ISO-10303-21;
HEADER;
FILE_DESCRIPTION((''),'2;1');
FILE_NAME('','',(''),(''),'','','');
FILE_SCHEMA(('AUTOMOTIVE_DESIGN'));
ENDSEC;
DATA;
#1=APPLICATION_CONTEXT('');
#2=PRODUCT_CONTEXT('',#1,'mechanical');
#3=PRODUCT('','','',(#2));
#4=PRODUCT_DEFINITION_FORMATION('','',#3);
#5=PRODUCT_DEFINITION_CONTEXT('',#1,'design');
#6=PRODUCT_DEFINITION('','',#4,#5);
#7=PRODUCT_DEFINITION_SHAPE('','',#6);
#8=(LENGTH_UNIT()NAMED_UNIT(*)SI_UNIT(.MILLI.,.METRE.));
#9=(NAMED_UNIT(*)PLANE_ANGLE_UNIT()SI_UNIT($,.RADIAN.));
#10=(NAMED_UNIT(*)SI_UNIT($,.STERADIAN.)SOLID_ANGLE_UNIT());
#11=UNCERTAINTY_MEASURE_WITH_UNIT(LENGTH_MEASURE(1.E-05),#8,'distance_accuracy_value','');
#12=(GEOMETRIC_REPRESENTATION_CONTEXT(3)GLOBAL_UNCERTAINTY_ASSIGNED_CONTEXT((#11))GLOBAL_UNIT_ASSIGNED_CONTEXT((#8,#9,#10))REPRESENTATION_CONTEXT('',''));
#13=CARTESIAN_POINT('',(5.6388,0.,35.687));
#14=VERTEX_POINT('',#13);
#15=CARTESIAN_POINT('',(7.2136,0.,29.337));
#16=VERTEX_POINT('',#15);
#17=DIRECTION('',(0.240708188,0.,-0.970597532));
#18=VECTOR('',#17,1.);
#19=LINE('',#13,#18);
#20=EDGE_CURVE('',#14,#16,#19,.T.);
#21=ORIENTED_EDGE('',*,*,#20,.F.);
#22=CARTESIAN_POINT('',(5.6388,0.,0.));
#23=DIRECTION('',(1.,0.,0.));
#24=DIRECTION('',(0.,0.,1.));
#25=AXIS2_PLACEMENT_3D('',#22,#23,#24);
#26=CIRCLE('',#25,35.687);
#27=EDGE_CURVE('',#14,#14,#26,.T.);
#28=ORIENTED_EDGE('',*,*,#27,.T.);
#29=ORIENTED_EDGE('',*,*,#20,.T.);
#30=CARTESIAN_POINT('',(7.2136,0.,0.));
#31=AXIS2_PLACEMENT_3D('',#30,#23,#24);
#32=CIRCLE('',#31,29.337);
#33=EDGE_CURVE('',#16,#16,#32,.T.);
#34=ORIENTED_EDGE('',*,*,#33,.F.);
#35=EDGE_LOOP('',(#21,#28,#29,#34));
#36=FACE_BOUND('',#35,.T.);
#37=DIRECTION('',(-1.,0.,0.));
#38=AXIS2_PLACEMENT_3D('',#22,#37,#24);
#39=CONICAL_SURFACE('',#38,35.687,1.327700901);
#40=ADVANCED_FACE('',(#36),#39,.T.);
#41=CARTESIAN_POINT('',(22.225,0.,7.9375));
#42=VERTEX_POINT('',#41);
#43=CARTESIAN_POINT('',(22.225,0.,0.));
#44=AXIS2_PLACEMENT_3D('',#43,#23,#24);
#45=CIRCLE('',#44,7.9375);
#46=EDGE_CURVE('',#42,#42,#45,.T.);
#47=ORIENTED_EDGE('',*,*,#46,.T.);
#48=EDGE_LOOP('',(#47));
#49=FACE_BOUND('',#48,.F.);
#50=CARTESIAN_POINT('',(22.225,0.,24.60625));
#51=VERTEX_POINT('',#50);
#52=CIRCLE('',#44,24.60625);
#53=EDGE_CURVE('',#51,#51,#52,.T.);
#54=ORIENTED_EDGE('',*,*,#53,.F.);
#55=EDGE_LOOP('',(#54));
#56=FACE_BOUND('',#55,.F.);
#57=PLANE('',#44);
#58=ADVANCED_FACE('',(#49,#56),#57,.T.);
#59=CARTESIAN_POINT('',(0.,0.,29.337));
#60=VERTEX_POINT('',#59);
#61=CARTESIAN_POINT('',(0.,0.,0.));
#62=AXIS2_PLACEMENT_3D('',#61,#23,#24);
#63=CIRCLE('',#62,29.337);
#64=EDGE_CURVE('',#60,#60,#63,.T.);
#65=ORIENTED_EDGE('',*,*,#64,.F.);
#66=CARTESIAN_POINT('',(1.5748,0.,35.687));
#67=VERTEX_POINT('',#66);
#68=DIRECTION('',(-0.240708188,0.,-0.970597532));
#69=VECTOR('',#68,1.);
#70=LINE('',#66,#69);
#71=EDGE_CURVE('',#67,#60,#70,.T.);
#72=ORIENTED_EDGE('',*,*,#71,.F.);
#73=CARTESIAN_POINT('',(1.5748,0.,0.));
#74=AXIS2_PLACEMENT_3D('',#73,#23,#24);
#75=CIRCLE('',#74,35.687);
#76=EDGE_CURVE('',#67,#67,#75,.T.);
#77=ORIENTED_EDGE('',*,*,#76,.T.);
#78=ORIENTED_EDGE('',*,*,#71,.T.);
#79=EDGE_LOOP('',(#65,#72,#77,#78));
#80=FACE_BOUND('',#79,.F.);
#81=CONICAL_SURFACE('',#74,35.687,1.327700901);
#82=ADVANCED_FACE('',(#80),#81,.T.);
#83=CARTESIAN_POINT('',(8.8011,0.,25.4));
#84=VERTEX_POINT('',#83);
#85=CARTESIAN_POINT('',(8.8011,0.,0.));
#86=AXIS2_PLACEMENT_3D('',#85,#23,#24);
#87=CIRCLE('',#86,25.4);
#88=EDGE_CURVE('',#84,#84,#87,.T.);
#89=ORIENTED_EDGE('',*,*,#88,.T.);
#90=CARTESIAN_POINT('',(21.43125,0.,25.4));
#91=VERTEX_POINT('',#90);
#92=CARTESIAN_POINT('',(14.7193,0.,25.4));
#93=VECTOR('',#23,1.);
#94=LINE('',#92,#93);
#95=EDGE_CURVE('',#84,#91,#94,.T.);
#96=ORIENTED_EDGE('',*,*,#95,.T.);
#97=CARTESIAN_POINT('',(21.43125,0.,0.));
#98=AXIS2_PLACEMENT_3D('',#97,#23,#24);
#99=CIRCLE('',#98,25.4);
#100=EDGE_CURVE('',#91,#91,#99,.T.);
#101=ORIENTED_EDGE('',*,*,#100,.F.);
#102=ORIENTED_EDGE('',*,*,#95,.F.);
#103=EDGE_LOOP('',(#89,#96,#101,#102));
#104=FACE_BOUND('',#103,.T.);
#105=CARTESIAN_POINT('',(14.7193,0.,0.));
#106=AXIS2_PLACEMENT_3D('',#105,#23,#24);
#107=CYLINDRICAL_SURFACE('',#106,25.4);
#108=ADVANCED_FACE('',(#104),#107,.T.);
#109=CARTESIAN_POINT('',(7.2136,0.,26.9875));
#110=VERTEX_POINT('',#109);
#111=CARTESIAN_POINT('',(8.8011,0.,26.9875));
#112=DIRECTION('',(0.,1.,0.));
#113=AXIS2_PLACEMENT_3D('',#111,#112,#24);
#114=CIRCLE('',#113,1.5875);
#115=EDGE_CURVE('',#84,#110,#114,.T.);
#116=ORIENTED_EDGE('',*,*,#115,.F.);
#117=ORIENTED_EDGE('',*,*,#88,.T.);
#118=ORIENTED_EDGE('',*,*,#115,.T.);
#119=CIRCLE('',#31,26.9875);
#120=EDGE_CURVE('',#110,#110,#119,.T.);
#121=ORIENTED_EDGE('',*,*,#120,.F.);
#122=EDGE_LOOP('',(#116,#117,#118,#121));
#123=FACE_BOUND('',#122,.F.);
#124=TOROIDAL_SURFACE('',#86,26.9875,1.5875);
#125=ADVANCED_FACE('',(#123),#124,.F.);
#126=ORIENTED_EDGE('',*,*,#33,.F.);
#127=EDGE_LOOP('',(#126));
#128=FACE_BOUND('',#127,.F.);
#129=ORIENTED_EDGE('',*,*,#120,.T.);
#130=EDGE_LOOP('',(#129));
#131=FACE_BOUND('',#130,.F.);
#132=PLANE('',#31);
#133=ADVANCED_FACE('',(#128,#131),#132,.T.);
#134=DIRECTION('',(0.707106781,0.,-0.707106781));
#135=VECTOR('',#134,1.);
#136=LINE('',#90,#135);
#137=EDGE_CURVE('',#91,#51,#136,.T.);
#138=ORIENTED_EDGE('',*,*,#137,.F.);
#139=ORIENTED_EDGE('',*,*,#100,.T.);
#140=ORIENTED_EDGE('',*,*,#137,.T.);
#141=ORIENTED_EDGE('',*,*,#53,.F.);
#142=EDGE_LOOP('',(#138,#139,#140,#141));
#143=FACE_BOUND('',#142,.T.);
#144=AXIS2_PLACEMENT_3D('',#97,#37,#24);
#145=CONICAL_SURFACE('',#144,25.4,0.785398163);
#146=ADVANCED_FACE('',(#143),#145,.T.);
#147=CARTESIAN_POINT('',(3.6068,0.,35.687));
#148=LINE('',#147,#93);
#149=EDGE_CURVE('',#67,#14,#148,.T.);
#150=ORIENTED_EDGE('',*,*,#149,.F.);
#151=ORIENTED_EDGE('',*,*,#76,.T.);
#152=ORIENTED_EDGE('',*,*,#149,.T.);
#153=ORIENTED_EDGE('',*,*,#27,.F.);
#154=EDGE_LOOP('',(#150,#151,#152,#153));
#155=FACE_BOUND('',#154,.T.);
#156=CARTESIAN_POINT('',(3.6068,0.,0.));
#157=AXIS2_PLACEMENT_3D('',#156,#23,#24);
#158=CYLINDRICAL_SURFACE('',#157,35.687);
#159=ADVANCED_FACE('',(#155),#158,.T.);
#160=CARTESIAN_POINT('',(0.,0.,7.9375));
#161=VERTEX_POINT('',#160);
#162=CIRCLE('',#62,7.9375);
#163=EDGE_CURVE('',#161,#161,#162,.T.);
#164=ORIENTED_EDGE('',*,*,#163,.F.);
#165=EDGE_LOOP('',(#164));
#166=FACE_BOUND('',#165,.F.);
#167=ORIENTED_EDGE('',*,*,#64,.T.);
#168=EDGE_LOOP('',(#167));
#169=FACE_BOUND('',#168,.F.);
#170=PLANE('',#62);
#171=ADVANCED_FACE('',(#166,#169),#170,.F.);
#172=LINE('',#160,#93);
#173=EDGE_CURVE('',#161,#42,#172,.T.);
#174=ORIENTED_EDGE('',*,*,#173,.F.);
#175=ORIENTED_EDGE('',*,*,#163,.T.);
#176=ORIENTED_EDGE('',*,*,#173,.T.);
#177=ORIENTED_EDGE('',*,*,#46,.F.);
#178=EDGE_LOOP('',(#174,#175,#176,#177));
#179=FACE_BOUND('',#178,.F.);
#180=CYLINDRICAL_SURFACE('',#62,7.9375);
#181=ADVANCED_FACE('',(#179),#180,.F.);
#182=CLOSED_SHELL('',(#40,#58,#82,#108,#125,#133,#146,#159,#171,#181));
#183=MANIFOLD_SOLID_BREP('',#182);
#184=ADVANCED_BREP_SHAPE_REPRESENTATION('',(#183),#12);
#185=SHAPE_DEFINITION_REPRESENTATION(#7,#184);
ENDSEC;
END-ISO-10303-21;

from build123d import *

# Parameters (mm, degrees)
F0_W     = 7.2136
F0_H     = 10.287
F0_H_2   = 17.4625
F0_W_2   = 15.0114
F2_R     = 1.5875
F3_SIZE  = 0.79375
F4_SIZE2 = 6.35
F4_SIZE  = 1.5748


with BuildPart() as f1:
    # F0 (on Front) → F1 (revolve)
    with BuildSketch(Plane.XZ):
        with Locations((3.6068, 30.5435)):
            Rectangle(F0_W, F0_H)
        with Locations((3.6068, 16.66875)):
            Rectangle(F0_W, F0_H_2)
        with Locations((14.7193, 16.66875)):
            Rectangle(F0_W_2, F0_H_2)
    revolve(axis=Axis((17.1843035816, 0, 0), (1, 0, 0)))

    # F2
    f2_edges = [f1.edges().sort_by_distance(p)[0] for p in [
        (7.2136, 0, -25.4),
    ]]
    fillet(f2_edges, radius=F2_R)

    # F3
    f3_edges = [f1.edges().sort_by_distance(p)[0] for p in [
        (22.225, 0, -25.4),
    ]]
    chamfer(f3_edges, length=F3_SIZE)

    # F4
    f4_edges = [f1.edges().sort_by_distance(p)[0] for p in [
        (0, 0, -35.687),
        (7.2136, 0, -35.687),
    ]]
    f4_side = f1.faces().sort_by_distance((3.6068, 0, -35.687))[0]
    chamfer(f4_edges, length=F4_SIZE, length2=F4_SIZE2, reference=f4_side)


solid = f1.part
